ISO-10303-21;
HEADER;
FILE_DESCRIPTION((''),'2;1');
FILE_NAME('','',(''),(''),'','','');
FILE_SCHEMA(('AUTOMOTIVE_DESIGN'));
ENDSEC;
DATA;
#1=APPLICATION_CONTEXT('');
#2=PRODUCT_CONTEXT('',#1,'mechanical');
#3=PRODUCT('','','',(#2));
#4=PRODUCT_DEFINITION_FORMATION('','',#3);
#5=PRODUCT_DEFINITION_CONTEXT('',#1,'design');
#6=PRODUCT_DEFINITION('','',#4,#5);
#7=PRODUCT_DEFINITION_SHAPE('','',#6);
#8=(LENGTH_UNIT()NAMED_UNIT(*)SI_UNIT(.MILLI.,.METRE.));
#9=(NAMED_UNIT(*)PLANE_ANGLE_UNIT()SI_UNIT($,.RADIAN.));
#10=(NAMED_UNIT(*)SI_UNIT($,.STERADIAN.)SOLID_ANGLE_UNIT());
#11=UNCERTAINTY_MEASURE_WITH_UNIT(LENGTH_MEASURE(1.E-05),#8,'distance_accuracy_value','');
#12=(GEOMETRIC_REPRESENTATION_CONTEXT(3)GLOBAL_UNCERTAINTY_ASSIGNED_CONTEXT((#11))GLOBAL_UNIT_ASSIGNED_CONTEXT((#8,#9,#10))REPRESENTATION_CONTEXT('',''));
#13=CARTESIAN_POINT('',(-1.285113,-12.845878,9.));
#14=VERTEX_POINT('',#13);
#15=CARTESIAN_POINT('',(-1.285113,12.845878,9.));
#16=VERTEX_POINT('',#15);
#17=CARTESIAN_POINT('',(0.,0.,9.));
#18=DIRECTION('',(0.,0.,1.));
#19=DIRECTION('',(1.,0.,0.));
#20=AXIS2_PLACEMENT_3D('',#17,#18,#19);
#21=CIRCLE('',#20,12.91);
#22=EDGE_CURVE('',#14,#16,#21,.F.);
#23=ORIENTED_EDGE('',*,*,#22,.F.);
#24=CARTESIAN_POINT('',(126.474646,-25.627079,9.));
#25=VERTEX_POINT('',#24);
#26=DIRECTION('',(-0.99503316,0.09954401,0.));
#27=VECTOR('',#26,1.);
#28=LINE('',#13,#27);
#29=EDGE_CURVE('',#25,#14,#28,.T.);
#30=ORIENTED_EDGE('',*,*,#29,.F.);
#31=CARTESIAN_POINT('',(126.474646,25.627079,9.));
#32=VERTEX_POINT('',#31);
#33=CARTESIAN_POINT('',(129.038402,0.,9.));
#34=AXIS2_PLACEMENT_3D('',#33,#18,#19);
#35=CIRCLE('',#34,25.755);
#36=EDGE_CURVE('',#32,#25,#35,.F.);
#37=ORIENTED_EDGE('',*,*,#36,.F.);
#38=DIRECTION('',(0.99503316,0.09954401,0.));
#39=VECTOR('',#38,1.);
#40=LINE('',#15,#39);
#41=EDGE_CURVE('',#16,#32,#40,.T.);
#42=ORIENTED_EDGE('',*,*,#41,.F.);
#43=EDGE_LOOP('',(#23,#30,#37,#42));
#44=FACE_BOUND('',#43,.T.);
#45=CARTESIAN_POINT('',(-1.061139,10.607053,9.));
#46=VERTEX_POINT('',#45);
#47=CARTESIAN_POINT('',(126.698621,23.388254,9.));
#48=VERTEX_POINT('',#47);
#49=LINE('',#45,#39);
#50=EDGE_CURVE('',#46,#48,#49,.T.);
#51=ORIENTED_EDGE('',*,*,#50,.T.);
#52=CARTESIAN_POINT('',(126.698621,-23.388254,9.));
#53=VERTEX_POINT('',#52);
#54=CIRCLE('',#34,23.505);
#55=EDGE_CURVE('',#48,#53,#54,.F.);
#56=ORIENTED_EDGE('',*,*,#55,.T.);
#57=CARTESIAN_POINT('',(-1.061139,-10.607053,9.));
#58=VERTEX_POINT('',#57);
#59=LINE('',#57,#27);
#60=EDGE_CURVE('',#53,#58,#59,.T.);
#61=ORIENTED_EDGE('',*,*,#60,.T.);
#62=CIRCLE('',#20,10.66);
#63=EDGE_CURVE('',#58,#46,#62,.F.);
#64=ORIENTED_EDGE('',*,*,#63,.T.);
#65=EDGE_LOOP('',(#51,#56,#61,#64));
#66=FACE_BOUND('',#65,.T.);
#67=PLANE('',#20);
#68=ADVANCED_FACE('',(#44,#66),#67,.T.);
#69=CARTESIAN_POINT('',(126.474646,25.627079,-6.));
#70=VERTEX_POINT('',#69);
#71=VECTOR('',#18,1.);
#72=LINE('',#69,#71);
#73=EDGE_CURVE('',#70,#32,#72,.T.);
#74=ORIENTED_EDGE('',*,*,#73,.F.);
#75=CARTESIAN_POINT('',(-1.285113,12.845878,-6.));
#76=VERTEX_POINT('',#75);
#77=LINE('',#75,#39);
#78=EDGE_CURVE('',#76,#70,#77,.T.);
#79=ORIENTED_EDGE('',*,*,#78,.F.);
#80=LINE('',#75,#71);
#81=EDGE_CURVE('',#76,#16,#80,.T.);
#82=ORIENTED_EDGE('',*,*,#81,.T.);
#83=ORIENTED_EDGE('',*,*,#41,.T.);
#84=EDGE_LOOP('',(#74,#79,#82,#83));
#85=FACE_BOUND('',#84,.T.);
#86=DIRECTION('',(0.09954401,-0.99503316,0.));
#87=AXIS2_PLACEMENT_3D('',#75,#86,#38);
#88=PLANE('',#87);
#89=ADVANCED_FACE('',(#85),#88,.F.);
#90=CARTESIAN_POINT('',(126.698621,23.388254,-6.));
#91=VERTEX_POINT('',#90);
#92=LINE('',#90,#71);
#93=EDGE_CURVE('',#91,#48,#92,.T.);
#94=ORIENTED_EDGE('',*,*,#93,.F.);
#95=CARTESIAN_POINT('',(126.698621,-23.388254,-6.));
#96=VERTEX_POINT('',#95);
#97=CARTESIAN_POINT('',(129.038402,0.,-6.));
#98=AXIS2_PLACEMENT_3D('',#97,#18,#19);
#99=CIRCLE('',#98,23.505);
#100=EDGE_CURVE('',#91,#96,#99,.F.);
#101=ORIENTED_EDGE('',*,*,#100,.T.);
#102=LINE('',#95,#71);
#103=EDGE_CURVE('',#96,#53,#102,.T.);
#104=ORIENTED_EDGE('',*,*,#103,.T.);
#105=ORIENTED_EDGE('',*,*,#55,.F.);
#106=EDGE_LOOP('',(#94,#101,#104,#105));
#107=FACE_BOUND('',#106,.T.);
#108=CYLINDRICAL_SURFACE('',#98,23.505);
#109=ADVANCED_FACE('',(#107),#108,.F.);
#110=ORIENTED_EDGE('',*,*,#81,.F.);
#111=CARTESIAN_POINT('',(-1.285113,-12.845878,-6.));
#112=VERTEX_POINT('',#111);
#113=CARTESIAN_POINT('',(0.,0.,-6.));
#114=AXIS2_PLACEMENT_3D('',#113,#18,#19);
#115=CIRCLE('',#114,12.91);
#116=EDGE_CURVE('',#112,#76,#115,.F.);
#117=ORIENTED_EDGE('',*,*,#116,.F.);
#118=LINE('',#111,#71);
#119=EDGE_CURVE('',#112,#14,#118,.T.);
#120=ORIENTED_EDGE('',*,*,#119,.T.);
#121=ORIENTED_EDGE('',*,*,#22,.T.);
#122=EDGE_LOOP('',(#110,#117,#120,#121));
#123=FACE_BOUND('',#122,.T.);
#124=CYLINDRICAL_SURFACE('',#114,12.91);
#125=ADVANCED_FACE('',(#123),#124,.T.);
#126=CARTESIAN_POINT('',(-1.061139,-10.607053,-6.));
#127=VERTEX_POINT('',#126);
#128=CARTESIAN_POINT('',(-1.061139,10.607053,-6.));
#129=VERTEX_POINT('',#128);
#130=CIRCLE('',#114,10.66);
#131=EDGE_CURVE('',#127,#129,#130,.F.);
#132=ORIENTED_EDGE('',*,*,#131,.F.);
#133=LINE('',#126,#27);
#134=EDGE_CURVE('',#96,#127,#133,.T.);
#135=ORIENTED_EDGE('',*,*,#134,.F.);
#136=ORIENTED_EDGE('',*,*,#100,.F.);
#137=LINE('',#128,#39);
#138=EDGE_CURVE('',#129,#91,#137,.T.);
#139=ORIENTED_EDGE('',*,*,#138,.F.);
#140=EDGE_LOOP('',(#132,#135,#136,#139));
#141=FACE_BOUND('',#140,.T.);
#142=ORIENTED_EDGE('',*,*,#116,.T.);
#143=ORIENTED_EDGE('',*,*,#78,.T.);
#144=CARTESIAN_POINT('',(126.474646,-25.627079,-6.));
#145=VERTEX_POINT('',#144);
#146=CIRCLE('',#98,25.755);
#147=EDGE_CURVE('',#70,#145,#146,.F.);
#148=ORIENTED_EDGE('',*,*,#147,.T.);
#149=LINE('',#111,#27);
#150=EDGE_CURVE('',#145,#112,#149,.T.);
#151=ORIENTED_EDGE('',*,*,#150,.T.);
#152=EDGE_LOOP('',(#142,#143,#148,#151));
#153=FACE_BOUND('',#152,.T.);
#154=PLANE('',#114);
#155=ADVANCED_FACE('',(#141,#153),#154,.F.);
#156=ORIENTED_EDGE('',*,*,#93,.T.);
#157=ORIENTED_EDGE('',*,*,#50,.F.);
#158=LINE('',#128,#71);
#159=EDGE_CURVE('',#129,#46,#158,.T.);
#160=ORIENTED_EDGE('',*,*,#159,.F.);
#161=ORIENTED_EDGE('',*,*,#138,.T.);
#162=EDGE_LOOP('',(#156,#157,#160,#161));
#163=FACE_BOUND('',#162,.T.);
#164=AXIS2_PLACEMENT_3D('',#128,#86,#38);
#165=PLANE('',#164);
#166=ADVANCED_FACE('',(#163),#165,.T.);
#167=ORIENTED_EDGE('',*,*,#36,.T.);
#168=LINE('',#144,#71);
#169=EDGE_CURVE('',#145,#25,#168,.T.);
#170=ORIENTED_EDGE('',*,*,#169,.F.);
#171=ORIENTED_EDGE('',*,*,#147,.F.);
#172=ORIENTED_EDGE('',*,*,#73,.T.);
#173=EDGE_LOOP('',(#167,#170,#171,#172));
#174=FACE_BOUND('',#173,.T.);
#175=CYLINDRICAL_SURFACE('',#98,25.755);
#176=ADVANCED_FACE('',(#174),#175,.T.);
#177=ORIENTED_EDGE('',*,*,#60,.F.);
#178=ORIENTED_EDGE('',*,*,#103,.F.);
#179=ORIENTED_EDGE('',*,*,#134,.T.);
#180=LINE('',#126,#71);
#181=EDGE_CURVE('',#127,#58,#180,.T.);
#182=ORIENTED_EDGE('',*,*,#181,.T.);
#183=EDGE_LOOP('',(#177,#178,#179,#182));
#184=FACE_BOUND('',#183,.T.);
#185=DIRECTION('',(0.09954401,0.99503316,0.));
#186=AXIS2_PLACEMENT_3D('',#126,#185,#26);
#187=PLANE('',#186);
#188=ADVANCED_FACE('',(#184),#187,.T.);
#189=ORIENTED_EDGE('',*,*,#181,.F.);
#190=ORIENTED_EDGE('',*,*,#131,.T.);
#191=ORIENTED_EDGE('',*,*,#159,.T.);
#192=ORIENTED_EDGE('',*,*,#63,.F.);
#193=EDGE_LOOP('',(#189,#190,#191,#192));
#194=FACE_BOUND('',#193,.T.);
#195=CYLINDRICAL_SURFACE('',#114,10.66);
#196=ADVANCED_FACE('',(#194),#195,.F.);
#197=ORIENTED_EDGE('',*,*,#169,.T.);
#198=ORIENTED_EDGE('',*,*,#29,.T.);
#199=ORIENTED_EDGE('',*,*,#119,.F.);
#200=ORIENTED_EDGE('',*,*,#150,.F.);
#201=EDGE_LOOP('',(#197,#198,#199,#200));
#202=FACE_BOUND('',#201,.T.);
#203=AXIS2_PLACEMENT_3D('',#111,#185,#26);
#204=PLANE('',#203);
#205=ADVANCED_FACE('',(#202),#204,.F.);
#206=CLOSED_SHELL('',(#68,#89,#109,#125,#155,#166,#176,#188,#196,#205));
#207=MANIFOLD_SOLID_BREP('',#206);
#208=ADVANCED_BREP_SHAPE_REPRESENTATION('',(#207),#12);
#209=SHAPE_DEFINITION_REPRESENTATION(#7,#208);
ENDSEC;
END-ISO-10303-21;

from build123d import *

# Parameters (mm, degrees)
BOSS_EXTRUDE1_DEPTH      = 9
BOSS_EXTRUDE1_DEPTH_BACK = 6


with BuildPart() as part:
    # Sketch2 → Boss-Extrude1 (new, two sides)
    with BuildSketch(Plane.XY) as boss_extrude1_sk:
        with BuildLine():
            ThreePointArc((-1.285113167, -12.8458781), (-12.91, 0), (-1.285113167, 12.8458781))
            Line((-1.285113167, 12.8458781), (126.474646488, 25.627079044))
            ThreePointArc((126.474646488, 25.627079044), (154.793402461, 0), (126.474646488, -25.627079044))
            Line((126.474646488, -25.627079044), (-1.285113167, -12.8458781))
        make_face()
        with BuildLine():
            Line((-1.061139145, 10.607053489), (126.69862051, 23.388254433))
            ThreePointArc((126.69862051, 23.388254433), (152.543402461, 0), (126.69862051, -23.388254433))
            Line((126.69862051, -23.388254433), (-1.061139145, -10.607053489))
            ThreePointArc((-1.061139145, -10.607053489), (-10.66, 0), (-1.061139145, 10.607053489))
        make_face(mode=Mode.SUBTRACT)
    extrude(amount=BOSS_EXTRUDE1_DEPTH)
    extrude(boss_extrude1_sk.sketch, amount=-BOSS_EXTRUDE1_DEPTH_BACK)


solid = part.part
